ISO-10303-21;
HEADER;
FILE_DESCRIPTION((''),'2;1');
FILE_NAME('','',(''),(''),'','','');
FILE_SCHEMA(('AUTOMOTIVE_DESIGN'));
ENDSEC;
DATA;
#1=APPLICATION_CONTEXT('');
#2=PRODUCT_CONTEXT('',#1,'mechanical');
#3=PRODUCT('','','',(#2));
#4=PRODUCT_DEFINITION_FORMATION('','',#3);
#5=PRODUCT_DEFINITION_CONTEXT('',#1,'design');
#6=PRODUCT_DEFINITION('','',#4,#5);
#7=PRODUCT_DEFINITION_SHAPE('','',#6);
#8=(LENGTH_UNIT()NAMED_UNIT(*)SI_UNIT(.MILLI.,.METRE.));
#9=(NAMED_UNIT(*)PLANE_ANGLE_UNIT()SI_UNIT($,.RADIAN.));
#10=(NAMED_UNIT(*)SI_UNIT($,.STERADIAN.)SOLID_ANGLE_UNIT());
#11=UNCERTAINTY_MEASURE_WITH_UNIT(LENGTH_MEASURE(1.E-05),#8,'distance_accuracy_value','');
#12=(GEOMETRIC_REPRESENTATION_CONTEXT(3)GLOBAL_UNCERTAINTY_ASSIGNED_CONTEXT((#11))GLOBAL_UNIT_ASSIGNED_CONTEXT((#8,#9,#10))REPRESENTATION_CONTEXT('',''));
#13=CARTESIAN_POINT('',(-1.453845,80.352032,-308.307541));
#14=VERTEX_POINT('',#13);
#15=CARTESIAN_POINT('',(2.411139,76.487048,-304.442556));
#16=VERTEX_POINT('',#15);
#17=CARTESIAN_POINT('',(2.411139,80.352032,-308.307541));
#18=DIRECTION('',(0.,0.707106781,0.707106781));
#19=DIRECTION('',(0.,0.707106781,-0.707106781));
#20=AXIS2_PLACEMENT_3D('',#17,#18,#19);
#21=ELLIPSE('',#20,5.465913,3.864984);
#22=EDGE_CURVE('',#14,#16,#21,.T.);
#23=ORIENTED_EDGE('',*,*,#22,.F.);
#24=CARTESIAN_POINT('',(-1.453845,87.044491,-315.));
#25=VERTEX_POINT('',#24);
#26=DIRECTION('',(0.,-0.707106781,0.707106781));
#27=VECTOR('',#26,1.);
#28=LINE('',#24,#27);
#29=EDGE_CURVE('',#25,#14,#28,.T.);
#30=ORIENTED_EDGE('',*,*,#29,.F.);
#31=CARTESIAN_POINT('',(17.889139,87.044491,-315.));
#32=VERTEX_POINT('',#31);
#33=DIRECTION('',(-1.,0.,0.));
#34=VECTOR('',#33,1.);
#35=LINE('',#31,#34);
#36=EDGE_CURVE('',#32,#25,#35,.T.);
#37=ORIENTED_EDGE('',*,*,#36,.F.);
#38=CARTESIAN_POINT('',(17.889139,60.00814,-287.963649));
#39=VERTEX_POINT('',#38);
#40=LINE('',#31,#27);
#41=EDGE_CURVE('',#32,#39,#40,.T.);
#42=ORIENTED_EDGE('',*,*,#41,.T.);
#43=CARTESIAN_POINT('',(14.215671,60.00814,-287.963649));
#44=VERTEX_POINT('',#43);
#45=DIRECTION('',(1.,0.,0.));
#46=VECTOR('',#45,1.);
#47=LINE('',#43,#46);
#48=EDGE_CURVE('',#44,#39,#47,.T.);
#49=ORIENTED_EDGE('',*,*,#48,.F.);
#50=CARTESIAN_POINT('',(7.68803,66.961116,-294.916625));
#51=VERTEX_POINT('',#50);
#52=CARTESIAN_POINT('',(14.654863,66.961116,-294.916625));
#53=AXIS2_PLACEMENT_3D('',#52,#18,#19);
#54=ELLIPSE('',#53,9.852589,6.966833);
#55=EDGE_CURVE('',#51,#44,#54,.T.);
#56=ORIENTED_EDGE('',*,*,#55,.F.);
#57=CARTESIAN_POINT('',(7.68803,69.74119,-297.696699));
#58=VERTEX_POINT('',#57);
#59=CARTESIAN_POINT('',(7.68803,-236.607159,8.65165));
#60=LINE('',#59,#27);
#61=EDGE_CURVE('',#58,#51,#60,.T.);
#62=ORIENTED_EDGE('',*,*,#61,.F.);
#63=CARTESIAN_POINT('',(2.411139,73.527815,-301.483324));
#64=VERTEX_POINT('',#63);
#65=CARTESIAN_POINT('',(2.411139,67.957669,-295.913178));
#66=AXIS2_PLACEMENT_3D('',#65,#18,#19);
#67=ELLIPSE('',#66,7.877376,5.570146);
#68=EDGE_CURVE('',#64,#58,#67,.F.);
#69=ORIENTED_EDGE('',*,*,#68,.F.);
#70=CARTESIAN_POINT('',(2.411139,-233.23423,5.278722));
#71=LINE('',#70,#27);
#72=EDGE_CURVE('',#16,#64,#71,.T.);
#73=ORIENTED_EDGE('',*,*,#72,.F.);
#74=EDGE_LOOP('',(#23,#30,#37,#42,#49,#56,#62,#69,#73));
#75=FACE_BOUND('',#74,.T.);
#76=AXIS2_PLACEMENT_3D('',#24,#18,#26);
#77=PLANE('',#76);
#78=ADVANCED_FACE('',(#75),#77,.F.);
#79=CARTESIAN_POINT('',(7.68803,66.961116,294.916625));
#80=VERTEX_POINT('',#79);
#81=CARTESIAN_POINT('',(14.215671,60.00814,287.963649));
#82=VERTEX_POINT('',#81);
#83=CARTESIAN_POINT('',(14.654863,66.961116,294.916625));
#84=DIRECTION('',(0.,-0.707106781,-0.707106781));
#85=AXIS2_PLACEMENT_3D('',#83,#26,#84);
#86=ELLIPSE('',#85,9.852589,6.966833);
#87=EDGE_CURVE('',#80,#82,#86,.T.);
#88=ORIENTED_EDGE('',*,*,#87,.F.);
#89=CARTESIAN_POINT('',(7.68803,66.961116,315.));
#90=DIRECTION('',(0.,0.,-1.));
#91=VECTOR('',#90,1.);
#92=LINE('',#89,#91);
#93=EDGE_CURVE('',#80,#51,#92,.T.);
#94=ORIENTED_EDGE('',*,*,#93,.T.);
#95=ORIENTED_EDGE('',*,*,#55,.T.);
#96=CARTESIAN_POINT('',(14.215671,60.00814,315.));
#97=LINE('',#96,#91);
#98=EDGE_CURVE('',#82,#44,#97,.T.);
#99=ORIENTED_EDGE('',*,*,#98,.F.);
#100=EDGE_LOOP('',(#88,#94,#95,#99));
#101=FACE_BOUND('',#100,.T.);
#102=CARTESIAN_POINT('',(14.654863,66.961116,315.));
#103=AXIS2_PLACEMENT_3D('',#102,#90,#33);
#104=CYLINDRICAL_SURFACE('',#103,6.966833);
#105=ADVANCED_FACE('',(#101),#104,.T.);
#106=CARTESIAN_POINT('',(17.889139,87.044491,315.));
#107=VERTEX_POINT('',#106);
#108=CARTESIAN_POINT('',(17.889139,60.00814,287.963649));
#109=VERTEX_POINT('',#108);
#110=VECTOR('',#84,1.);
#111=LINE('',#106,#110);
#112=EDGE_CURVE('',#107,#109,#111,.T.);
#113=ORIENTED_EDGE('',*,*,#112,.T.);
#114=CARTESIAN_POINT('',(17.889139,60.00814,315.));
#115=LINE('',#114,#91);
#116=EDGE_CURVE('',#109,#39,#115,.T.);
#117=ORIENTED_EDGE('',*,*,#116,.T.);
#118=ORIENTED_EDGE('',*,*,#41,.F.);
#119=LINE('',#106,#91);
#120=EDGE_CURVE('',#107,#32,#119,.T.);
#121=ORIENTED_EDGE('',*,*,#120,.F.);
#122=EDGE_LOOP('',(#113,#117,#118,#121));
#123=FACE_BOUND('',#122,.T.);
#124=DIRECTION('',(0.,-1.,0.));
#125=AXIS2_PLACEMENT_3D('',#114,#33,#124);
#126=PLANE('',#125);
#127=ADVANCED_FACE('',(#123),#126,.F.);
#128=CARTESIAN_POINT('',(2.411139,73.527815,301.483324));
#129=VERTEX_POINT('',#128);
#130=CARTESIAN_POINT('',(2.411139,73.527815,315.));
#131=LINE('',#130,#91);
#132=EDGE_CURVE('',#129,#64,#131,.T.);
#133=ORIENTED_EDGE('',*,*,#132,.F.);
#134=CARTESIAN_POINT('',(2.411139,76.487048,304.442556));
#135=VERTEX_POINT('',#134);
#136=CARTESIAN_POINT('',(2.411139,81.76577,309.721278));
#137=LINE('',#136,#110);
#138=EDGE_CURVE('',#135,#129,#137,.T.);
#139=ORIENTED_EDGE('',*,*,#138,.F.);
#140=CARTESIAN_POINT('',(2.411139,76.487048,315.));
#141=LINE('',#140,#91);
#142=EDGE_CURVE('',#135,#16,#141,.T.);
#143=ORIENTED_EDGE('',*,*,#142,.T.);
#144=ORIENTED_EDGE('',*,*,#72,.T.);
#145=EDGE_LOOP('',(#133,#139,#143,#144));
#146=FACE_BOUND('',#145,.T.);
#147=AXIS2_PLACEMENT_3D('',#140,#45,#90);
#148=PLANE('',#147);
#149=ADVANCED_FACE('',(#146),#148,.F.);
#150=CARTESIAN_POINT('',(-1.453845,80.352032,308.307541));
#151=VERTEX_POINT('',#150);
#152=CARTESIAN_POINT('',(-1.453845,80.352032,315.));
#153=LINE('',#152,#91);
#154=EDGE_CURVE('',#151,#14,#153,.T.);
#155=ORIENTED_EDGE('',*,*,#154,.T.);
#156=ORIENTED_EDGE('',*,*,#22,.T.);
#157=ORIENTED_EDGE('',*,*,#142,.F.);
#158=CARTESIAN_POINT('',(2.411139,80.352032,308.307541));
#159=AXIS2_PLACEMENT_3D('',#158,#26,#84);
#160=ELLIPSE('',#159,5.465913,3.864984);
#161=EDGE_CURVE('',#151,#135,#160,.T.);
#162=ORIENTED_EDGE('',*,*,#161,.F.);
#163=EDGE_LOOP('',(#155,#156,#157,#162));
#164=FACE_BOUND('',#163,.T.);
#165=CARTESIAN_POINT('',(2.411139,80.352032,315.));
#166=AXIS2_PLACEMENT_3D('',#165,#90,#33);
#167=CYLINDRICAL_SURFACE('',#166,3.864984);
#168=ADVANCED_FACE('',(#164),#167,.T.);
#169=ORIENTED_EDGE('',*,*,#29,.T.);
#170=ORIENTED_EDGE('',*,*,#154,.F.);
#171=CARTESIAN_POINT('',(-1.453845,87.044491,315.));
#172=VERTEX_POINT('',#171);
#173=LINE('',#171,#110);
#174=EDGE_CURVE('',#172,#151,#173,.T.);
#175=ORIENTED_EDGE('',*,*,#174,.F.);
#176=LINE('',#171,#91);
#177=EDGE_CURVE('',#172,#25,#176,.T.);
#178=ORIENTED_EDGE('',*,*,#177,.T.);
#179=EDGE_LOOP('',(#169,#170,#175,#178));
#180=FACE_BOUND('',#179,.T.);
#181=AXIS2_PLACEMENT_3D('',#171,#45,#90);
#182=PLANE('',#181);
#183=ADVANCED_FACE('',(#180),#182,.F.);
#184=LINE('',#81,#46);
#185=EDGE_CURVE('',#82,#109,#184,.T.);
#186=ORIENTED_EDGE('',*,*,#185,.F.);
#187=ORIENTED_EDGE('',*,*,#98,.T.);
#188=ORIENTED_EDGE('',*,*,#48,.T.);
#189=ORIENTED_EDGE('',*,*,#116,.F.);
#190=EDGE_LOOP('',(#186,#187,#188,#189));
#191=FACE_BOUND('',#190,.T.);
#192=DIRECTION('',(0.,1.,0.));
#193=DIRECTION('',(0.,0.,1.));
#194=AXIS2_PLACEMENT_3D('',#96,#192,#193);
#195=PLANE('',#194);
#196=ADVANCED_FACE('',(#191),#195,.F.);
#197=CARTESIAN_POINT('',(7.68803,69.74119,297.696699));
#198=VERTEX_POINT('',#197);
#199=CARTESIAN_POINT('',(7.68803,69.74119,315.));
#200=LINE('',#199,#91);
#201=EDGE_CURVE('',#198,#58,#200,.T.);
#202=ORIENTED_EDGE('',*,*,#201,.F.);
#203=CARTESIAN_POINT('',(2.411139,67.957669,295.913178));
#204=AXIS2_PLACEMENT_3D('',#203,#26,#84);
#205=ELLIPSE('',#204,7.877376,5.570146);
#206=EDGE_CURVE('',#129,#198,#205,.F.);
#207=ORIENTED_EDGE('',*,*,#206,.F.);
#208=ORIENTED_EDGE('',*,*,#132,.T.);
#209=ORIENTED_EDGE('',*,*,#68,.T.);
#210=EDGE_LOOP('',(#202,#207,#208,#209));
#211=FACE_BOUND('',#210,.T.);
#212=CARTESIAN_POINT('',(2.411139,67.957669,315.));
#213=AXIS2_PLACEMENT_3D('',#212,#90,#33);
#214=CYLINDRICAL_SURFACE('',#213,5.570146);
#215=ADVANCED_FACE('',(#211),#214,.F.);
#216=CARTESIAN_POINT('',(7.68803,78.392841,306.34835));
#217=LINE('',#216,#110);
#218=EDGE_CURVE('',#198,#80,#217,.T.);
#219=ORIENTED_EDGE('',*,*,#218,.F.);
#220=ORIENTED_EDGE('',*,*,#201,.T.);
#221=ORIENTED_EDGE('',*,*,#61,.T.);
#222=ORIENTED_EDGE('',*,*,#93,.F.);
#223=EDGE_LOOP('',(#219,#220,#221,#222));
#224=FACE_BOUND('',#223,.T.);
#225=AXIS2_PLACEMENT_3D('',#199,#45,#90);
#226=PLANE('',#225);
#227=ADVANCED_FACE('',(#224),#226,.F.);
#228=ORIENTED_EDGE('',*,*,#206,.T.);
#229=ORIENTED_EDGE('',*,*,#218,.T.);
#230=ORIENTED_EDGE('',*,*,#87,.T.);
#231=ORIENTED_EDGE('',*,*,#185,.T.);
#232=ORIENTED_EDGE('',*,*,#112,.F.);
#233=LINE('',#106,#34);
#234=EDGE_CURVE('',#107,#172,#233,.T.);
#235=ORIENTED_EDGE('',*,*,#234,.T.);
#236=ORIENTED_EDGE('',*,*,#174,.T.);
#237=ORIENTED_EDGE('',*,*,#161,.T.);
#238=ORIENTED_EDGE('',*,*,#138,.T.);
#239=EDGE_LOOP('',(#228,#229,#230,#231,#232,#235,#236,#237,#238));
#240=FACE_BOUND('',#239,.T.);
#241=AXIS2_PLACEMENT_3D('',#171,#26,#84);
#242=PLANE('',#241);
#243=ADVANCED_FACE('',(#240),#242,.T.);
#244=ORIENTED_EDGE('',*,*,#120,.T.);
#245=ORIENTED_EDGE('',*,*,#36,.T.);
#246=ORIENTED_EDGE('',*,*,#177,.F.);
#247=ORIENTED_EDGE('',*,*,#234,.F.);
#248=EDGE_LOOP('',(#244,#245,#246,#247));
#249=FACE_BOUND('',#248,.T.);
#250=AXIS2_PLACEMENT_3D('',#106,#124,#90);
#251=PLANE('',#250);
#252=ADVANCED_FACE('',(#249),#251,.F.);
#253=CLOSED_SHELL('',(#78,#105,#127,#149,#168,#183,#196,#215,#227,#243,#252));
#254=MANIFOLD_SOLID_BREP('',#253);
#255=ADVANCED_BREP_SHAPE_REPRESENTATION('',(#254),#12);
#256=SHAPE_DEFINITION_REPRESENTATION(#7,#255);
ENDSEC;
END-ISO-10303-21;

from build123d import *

# Parameters (mm, degrees)
BASE_EXTRUDE_DEPTH = 315
CUT_EXTRUDE1_DEPTH = 328.294614629


with BuildPart() as part:
    # Sketch1 → Base-Extrude (new, symmetric)
    with BuildSketch(Plane.XY):
        with BuildLine():
            Line((17.889139296, 87.044491269), (-1.453845178, 87.044491269))
            Line((-1.453845178, 87.044491269), (-1.453845178, 80.35203196))
            ThreePointArc((-1.453845178, 80.35203196), (-0.32181751, 77.619075411), (2.411139039, 76.487047743))
            Line((2.411139039, 76.487047743), (2.411139039, 73.52781514))
            ThreePointArc((2.411139039, 73.52781514), (5.658603705, 72.483207804), (7.688030184, 69.741190405))
            Line((7.688030184, 69.741190405), (7.688030184, 66.961115937))
            ThreePointArc((7.688030184, 66.961115937), (9.575663464, 62.192626492), (14.215671126, 60.00814031))
            Line((14.215671126, 60.00814031), (17.889139296, 60.00814031))
            Line((17.889139296, 60.00814031), (17.889139296, 87.044491269))
        make_face()
    extrude(amount=BASE_EXTRUDE_DEPTH, both=True)

    # Sketch2 → Cut-Extrude1 (cut, symmetric)
    with BuildSketch(Plane(origin=(0, 0, 0), x_dir=(0, 0, -1), z_dir=(1, 0, 0))):
        Polygon((315, 87.044491269), (255, 27.044491269), (315, 27.044491269), align=None)
    cut_extrude1 = extrude(amount=CUT_EXTRUDE1_DEPTH, both=True, mode=Mode.SUBTRACT)

    # Mirror1: Cut-Extrude1 across plane
    add(cut_extrude1.mirror(Plane.XY), mode=Mode.SUBTRACT)


solid = part.part
